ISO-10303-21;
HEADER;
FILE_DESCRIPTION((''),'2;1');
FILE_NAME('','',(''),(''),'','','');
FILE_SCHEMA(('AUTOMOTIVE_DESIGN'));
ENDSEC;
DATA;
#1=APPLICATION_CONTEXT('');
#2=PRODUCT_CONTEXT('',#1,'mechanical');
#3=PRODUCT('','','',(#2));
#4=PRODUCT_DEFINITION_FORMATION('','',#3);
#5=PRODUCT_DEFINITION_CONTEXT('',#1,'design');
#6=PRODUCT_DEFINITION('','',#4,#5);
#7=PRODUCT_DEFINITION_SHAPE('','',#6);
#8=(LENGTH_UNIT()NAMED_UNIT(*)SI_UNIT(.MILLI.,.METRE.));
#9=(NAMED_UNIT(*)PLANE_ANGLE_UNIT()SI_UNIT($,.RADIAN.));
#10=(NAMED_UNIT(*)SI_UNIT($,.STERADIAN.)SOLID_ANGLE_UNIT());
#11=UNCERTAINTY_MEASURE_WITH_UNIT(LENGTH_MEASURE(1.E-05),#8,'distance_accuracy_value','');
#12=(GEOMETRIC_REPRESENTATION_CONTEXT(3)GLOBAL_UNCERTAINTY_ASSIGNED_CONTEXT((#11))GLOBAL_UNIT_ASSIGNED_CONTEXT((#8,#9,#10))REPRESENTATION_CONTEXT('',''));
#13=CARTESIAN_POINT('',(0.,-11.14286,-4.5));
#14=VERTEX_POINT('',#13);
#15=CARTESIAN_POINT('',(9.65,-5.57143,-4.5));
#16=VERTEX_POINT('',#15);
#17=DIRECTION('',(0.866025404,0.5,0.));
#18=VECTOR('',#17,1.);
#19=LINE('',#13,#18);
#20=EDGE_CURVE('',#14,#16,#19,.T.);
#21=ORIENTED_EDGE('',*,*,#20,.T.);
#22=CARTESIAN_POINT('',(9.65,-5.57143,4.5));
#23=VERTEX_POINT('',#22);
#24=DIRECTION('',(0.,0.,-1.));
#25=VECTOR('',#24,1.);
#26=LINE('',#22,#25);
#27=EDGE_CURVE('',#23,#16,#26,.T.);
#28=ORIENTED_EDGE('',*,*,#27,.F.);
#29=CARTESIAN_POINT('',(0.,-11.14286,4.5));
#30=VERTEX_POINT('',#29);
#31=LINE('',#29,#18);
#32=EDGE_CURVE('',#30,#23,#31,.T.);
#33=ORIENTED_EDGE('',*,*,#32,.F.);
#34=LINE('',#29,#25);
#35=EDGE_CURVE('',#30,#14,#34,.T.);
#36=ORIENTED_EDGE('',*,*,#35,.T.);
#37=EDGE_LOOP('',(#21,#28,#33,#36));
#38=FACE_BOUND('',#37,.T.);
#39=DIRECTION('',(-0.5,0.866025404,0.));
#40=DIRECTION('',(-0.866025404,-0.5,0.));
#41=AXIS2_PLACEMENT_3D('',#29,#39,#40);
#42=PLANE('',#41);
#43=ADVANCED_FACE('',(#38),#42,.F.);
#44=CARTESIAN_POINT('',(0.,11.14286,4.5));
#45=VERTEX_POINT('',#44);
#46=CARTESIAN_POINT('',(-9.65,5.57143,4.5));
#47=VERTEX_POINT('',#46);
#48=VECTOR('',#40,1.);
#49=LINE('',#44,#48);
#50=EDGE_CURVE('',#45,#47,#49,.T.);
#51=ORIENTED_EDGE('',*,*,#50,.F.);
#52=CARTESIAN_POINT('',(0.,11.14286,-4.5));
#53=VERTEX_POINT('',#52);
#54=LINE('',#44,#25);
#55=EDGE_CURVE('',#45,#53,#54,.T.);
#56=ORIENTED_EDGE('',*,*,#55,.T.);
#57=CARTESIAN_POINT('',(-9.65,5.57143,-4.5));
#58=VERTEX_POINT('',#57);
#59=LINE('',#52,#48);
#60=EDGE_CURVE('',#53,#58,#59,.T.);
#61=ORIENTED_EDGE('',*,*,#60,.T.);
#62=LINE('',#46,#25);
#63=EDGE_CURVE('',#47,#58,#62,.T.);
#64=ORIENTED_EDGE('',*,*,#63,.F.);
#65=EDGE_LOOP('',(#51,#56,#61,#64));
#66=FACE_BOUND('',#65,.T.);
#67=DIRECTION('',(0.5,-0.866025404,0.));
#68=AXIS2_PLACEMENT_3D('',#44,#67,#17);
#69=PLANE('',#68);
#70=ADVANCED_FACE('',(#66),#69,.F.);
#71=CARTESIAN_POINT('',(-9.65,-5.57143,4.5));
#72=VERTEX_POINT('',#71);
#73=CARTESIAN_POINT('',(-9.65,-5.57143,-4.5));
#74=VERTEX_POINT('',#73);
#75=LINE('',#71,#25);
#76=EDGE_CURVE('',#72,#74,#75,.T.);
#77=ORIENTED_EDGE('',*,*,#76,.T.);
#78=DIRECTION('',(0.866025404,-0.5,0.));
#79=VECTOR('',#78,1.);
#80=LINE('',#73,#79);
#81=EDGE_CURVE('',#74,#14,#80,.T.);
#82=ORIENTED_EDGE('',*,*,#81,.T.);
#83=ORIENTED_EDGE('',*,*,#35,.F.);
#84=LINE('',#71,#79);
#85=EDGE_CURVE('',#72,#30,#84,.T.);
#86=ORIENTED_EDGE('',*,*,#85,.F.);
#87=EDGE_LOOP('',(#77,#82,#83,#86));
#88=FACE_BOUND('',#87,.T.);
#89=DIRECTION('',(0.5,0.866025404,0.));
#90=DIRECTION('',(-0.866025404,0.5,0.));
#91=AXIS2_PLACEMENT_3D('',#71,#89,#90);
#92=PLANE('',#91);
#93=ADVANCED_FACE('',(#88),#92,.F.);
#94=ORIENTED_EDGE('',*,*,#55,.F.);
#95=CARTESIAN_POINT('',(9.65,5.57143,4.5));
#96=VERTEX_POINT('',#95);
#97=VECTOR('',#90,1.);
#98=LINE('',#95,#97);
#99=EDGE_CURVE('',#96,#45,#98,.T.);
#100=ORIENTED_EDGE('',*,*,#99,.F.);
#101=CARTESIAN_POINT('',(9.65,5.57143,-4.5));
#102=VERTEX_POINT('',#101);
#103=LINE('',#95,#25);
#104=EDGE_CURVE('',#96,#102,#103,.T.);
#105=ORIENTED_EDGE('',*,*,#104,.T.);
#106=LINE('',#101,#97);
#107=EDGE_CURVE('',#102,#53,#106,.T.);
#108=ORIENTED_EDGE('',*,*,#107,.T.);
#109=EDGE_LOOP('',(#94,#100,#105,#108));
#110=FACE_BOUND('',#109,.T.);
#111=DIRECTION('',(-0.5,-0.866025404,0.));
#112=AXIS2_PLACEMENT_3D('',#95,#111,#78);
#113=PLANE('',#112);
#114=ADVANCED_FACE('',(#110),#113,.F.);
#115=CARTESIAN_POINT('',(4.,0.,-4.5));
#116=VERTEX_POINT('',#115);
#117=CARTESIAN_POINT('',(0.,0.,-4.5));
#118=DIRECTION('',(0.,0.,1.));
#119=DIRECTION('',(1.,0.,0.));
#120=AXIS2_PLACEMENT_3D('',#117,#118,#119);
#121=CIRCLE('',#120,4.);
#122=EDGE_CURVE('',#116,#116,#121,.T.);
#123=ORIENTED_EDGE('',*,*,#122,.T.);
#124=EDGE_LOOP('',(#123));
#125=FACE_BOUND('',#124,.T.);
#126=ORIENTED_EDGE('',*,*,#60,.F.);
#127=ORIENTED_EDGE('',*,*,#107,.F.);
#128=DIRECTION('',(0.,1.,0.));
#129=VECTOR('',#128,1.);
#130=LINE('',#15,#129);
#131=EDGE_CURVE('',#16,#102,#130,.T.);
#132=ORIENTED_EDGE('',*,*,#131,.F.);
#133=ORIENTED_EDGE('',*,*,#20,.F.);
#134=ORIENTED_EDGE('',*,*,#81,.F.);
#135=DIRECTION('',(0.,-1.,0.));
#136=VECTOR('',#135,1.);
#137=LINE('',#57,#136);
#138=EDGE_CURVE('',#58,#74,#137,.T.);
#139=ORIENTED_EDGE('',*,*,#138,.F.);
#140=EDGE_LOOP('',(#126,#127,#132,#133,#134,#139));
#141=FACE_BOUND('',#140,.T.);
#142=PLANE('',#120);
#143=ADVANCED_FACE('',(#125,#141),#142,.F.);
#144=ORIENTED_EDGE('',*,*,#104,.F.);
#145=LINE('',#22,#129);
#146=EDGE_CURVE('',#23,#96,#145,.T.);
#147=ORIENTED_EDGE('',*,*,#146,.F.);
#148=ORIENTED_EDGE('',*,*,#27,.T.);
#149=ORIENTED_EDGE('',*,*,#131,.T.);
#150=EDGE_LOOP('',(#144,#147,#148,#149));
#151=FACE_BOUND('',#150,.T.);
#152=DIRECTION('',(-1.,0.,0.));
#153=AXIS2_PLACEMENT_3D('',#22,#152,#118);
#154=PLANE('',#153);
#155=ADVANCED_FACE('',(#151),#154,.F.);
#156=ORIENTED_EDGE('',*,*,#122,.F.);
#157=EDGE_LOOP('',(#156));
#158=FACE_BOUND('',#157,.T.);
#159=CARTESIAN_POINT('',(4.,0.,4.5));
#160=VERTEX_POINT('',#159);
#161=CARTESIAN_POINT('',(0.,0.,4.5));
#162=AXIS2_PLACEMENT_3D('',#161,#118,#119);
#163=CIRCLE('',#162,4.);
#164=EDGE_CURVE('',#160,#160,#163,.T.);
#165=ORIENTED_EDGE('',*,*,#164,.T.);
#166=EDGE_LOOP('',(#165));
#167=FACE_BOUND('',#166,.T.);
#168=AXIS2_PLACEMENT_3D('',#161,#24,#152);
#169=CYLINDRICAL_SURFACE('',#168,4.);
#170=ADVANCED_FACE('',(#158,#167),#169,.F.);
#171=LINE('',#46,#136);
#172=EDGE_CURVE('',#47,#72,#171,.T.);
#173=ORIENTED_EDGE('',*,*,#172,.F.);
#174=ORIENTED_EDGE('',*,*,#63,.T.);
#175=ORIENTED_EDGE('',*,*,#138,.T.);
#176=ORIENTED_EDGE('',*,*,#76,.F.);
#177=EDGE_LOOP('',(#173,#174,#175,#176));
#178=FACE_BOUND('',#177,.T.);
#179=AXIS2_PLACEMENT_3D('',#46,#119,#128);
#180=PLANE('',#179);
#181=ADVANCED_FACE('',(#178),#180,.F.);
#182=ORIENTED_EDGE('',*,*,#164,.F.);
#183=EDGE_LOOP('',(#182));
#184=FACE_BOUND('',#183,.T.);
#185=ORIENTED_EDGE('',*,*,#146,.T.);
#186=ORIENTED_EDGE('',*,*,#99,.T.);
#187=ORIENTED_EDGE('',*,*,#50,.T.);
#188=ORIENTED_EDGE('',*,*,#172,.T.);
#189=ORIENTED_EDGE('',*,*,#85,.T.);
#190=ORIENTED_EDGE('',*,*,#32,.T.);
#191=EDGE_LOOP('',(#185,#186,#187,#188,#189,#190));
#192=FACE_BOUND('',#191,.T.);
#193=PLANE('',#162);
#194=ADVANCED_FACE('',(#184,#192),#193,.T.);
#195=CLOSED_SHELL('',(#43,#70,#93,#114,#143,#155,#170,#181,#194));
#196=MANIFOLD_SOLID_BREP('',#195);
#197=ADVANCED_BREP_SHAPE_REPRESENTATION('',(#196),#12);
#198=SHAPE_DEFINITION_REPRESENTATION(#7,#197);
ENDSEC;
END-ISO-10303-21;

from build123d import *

# Parameters (mm, degrees)
SKETCH1_R           = 4
BOSS_EXTRUDE1_DEPTH = 4.5


with BuildPart() as part:
    # Sketch1 → Boss-Extrude1 (new body, symmetric)
    with BuildSketch(Plane.XY):
        Polygon((0, 11.142860195), (-9.65, 5.571430098), (-9.65, -5.571430098), (0, -11.142860195), (9.65, -5.571430098), (9.65, 5.571430098), align=None)
        Circle(SKETCH1_R, mode=Mode.SUBTRACT)
    extrude(amount=BOSS_EXTRUDE1_DEPTH, both=True)


solid = part.part
